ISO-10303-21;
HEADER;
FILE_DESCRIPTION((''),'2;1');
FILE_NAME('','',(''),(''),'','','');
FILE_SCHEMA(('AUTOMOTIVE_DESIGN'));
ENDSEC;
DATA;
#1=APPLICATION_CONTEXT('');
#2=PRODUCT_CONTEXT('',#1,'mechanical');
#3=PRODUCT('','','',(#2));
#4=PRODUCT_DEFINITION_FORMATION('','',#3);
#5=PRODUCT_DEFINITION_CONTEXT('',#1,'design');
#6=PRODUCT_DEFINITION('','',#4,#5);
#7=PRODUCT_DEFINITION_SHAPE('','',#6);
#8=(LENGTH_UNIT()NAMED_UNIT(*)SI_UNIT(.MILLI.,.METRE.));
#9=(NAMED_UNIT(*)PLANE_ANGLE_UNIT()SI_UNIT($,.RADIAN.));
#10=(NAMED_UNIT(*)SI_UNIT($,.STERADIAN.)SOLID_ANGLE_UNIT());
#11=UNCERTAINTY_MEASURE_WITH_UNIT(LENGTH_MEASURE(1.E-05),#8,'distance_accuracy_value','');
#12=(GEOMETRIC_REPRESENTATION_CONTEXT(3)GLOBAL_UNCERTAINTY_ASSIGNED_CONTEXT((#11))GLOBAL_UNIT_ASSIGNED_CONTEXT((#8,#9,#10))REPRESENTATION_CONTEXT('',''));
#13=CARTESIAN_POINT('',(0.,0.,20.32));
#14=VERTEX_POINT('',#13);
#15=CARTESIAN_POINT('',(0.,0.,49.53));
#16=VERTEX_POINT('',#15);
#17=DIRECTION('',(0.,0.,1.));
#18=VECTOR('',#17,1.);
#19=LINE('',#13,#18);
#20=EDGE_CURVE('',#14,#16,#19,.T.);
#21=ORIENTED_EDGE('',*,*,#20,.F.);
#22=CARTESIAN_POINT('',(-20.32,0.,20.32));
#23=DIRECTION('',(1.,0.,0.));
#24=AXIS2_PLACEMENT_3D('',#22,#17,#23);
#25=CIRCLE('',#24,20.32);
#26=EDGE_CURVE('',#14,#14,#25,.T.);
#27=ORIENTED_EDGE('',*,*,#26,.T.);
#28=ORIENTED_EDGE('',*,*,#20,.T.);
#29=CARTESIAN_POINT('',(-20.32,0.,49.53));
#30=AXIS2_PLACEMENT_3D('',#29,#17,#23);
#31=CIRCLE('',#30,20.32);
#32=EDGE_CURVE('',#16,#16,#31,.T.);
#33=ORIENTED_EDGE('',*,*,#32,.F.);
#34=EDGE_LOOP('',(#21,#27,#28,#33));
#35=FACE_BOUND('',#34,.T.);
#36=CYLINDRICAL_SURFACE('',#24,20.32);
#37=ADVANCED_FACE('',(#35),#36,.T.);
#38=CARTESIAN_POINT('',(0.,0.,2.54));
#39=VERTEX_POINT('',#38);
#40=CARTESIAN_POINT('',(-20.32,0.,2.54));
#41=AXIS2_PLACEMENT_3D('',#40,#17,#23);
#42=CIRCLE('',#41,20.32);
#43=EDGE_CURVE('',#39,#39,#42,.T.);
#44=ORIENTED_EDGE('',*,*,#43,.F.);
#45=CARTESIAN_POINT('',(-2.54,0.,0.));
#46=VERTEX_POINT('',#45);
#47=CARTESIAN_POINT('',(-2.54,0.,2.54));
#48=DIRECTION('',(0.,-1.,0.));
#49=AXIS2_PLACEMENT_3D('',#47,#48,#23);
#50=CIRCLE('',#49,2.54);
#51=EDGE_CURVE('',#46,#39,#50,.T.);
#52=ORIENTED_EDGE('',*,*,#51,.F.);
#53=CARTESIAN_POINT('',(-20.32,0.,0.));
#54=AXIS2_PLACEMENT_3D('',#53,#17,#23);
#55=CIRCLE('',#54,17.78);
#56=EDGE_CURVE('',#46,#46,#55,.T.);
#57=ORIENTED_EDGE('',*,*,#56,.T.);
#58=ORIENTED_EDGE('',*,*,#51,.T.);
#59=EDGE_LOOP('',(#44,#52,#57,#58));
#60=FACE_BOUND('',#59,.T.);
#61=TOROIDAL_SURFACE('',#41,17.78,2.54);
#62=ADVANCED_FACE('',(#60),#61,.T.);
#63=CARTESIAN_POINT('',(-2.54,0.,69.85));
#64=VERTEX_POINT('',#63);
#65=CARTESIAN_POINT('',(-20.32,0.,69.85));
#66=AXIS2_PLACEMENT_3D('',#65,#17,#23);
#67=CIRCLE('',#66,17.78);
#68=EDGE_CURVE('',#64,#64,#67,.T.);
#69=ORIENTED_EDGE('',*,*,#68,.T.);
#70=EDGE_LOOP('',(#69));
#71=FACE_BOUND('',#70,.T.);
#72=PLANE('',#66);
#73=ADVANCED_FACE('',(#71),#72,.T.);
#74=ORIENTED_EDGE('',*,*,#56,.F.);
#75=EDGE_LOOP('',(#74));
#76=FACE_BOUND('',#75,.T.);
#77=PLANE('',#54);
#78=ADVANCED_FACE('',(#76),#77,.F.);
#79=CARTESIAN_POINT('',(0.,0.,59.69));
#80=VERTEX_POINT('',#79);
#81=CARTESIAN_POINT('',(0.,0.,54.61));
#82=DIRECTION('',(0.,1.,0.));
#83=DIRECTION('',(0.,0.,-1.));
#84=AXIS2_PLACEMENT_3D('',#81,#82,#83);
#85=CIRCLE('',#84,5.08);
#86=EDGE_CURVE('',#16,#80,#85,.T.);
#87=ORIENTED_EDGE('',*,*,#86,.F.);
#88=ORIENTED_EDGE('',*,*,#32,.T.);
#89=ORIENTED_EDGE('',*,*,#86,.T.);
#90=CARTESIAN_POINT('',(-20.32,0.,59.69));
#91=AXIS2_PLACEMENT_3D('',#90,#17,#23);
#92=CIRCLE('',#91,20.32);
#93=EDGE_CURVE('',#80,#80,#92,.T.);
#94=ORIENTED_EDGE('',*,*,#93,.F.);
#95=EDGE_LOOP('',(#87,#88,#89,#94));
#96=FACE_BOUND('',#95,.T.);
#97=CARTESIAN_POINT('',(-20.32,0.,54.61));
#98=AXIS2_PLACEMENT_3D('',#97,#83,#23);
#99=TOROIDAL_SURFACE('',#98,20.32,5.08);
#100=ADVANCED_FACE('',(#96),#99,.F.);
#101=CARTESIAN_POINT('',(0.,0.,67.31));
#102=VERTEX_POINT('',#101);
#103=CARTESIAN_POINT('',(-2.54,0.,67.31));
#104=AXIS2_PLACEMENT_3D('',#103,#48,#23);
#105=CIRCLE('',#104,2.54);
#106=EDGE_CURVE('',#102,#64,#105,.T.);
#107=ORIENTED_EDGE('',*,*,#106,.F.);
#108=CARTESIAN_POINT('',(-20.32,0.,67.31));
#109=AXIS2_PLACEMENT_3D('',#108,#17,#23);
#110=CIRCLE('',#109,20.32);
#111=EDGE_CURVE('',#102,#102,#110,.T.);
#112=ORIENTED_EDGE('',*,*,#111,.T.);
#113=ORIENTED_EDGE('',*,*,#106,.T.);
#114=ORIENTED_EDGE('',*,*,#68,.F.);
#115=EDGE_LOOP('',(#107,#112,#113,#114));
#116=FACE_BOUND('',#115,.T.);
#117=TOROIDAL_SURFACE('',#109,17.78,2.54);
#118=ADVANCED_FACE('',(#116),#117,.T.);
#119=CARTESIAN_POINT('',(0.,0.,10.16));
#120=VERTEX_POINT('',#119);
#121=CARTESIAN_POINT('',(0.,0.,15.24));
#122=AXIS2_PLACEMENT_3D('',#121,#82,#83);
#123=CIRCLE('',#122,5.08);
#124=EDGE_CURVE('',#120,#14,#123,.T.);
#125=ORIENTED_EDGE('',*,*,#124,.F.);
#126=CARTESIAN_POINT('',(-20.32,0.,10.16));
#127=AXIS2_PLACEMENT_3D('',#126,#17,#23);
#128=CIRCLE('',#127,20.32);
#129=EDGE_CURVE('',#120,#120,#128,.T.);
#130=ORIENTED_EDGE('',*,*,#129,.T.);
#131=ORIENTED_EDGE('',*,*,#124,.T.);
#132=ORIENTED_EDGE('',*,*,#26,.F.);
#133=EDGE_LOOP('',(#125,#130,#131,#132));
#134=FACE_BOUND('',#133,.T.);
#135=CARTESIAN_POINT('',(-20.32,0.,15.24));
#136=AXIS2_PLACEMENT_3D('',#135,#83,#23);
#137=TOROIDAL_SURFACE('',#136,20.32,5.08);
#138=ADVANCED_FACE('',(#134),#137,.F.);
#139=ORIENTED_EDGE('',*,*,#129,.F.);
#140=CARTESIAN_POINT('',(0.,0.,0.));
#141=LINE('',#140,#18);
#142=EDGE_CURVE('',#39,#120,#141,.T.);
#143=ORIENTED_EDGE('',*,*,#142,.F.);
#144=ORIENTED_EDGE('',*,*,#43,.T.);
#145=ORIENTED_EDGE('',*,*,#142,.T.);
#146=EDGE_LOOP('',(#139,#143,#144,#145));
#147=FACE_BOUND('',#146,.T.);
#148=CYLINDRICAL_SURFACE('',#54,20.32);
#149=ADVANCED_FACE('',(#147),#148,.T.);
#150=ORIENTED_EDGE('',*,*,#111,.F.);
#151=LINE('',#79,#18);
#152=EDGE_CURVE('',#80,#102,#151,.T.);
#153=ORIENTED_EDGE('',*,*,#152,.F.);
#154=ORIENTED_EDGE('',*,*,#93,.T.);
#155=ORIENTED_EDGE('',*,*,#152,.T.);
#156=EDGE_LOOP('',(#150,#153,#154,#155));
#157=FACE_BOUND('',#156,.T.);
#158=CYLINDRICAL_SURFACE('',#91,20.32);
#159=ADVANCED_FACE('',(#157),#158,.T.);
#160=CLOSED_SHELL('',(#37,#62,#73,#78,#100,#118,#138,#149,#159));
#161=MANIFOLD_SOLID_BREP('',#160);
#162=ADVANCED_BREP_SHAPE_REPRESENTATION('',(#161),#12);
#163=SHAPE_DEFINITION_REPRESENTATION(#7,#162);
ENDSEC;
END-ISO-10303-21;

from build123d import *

# Parameters (mm, degrees)
F2_R = 2.54


with BuildPart() as f1:
    # F0 (on Front) → F1 (revolve)
    with BuildSketch(Plane.XZ):
        with BuildLine():
            Line((-20.32, 0), (0, 0))
            Line((0, 0), (0, 10.16))
            ThreePointArc((0, 10.16), (-5.08, 15.24), (0, 20.32))
            Line((0, 20.32), (0, 49.53))
            ThreePointArc((0, 49.53), (-5.08, 54.61), (0, 59.69))
            Line((0, 59.69), (0, 69.85))
            Line((0, 69.85), (-20.32, 69.85))
            Line((-20.32, 69.85), (-20.32, 0))
        make_face()
    revolve(axis=Axis((-20.32, 0, 34.925), (0, 0, 1)))

    # F2
    f2_edges = [f1.edges().sort_by_distance(p)[0] for p in [
        (-40.64, 0, 69.85),
        (-40.64, 0, 0),
    ]]
    fillet(f2_edges, radius=F2_R)


solid = f1.part
